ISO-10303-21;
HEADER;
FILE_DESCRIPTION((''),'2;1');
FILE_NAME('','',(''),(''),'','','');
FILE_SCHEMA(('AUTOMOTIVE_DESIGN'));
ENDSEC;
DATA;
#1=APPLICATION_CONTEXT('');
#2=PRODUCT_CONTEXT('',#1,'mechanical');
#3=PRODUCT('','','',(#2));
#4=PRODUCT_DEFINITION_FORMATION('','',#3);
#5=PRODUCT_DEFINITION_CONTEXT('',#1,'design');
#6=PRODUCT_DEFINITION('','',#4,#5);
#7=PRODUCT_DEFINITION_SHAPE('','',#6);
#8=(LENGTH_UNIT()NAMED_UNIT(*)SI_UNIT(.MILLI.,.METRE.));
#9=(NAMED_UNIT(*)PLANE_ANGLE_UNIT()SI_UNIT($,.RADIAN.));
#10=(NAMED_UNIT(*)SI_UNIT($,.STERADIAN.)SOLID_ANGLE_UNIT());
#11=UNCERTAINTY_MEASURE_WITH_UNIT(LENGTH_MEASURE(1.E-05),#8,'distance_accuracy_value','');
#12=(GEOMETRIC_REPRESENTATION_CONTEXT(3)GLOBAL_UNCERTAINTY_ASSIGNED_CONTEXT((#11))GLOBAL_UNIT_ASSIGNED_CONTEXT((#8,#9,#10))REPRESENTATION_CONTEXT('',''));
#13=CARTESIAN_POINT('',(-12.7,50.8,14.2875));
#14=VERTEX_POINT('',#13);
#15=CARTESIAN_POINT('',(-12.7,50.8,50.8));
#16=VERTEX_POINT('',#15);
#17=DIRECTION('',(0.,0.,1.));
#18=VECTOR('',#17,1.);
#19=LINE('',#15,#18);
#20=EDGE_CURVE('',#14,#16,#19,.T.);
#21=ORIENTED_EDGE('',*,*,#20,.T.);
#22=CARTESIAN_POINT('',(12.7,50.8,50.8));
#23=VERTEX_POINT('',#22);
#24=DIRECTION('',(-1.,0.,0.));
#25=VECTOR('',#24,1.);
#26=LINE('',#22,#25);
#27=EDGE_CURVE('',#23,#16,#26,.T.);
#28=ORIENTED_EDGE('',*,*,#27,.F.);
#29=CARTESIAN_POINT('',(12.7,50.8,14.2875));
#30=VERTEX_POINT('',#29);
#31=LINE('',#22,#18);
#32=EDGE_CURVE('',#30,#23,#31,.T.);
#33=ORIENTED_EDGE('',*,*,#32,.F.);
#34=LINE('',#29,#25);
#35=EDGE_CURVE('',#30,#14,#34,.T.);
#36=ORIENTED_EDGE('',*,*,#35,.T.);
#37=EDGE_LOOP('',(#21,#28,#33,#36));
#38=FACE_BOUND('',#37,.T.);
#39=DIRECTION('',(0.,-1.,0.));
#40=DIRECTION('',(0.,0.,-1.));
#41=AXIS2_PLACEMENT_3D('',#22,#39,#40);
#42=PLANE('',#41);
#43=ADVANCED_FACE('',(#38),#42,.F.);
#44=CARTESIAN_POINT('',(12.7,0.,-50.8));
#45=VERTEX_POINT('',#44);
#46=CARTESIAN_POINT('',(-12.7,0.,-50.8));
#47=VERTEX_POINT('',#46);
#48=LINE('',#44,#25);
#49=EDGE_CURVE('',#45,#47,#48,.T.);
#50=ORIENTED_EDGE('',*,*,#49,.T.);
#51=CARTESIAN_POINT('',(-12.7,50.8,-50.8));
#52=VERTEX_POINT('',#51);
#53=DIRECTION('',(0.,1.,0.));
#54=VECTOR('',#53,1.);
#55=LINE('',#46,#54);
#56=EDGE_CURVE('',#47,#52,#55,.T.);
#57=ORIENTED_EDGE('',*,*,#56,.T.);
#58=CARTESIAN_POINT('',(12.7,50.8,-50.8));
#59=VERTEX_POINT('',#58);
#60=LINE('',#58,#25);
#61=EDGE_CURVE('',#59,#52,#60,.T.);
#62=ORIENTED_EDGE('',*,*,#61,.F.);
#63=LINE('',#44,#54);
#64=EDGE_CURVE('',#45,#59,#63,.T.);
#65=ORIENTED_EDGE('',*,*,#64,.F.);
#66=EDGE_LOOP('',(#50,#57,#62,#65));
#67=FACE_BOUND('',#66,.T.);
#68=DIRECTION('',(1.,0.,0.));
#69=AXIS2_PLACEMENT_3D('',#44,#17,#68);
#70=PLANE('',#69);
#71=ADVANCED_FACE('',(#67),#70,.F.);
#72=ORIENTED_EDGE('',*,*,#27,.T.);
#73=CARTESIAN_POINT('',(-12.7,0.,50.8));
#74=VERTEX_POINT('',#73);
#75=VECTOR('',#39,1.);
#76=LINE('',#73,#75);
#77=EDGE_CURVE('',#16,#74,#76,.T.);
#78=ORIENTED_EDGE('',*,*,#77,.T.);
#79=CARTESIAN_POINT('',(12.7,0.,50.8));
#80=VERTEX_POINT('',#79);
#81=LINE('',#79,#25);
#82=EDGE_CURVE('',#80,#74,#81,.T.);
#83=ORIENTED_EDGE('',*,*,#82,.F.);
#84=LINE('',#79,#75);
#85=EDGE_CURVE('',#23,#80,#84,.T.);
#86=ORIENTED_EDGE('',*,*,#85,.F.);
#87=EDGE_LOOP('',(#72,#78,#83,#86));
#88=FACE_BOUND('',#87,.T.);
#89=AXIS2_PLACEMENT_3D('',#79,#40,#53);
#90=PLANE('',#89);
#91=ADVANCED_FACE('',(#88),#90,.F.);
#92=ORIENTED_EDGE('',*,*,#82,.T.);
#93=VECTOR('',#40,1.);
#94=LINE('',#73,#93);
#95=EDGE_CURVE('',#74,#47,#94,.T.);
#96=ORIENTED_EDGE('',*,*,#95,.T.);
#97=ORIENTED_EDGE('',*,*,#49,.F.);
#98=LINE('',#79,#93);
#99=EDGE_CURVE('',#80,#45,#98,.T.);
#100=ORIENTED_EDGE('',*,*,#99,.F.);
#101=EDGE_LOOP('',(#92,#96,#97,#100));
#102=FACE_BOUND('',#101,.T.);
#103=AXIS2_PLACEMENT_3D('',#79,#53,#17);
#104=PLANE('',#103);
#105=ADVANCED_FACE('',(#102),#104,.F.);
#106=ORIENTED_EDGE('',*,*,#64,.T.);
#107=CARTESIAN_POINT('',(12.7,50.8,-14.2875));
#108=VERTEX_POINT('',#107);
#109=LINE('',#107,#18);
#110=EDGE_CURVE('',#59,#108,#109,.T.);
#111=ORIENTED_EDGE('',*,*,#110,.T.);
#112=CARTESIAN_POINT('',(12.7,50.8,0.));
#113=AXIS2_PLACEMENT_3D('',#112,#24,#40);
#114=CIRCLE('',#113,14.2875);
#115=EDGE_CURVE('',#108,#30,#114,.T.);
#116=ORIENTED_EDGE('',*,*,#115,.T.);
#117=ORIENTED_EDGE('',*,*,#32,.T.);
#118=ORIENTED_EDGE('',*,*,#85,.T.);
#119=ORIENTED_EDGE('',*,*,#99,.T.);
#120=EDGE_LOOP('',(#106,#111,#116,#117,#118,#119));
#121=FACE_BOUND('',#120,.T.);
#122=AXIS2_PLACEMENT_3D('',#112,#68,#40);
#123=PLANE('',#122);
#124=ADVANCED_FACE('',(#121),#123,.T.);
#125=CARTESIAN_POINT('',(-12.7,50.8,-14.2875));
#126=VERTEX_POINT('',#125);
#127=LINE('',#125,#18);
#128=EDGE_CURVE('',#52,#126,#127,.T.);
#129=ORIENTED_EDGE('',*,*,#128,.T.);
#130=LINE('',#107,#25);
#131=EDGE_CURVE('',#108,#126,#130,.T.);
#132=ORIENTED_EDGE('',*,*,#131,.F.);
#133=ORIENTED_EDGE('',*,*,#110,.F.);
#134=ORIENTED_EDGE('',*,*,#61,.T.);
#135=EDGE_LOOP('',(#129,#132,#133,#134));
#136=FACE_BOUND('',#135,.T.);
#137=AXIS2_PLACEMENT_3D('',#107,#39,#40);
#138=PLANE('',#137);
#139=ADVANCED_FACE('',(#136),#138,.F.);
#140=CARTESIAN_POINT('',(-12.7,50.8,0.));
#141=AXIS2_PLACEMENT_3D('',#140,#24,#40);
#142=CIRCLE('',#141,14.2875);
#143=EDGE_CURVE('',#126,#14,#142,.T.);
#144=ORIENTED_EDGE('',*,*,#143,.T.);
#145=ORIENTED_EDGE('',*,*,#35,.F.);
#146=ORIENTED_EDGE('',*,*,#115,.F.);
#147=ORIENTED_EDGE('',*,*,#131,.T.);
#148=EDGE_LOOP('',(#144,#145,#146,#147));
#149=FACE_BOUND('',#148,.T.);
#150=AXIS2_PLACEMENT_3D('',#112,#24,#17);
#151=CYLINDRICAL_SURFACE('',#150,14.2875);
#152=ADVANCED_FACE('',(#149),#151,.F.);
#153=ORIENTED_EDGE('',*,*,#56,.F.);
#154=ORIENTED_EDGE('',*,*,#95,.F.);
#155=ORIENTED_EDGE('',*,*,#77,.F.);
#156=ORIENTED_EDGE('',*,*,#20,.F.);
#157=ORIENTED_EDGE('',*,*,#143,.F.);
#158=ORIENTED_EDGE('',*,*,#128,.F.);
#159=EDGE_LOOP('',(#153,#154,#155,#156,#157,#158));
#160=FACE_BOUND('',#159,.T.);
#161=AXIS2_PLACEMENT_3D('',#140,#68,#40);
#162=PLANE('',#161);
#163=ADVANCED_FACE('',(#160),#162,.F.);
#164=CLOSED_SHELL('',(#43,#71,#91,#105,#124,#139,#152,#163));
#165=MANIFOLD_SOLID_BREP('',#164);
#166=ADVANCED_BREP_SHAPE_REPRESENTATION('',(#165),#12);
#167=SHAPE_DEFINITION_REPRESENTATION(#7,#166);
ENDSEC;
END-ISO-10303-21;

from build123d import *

# Parameters (mm, degrees)
BOSS_EXTRUDE1_DEPTH = 12.7


with BuildPart() as part:
    # Sketch1 → Boss-Extrude1 (new body, symmetric)
    with BuildSketch(Plane(origin=(0, 0, 0), x_dir=(0, 0, -1), z_dir=(1, 0, 0))):
        with BuildLine():
            Line((14.2875, 50.8), (50.8, 50.8))
            Line((50.8, 50.8), (50.8, 0))
            Line((50.8, 0), (-50.8, 0))
            Line((-50.8, 0), (-50.8, 50.8))
            Line((-50.8, 50.8), (-14.2875, 50.8))
            ThreePointArc((-14.2875, 50.8), (0, 36.5125), (14.2875, 50.8))
        make_face()
    extrude(amount=BOSS_EXTRUDE1_DEPTH, both=True)


solid = part.part
